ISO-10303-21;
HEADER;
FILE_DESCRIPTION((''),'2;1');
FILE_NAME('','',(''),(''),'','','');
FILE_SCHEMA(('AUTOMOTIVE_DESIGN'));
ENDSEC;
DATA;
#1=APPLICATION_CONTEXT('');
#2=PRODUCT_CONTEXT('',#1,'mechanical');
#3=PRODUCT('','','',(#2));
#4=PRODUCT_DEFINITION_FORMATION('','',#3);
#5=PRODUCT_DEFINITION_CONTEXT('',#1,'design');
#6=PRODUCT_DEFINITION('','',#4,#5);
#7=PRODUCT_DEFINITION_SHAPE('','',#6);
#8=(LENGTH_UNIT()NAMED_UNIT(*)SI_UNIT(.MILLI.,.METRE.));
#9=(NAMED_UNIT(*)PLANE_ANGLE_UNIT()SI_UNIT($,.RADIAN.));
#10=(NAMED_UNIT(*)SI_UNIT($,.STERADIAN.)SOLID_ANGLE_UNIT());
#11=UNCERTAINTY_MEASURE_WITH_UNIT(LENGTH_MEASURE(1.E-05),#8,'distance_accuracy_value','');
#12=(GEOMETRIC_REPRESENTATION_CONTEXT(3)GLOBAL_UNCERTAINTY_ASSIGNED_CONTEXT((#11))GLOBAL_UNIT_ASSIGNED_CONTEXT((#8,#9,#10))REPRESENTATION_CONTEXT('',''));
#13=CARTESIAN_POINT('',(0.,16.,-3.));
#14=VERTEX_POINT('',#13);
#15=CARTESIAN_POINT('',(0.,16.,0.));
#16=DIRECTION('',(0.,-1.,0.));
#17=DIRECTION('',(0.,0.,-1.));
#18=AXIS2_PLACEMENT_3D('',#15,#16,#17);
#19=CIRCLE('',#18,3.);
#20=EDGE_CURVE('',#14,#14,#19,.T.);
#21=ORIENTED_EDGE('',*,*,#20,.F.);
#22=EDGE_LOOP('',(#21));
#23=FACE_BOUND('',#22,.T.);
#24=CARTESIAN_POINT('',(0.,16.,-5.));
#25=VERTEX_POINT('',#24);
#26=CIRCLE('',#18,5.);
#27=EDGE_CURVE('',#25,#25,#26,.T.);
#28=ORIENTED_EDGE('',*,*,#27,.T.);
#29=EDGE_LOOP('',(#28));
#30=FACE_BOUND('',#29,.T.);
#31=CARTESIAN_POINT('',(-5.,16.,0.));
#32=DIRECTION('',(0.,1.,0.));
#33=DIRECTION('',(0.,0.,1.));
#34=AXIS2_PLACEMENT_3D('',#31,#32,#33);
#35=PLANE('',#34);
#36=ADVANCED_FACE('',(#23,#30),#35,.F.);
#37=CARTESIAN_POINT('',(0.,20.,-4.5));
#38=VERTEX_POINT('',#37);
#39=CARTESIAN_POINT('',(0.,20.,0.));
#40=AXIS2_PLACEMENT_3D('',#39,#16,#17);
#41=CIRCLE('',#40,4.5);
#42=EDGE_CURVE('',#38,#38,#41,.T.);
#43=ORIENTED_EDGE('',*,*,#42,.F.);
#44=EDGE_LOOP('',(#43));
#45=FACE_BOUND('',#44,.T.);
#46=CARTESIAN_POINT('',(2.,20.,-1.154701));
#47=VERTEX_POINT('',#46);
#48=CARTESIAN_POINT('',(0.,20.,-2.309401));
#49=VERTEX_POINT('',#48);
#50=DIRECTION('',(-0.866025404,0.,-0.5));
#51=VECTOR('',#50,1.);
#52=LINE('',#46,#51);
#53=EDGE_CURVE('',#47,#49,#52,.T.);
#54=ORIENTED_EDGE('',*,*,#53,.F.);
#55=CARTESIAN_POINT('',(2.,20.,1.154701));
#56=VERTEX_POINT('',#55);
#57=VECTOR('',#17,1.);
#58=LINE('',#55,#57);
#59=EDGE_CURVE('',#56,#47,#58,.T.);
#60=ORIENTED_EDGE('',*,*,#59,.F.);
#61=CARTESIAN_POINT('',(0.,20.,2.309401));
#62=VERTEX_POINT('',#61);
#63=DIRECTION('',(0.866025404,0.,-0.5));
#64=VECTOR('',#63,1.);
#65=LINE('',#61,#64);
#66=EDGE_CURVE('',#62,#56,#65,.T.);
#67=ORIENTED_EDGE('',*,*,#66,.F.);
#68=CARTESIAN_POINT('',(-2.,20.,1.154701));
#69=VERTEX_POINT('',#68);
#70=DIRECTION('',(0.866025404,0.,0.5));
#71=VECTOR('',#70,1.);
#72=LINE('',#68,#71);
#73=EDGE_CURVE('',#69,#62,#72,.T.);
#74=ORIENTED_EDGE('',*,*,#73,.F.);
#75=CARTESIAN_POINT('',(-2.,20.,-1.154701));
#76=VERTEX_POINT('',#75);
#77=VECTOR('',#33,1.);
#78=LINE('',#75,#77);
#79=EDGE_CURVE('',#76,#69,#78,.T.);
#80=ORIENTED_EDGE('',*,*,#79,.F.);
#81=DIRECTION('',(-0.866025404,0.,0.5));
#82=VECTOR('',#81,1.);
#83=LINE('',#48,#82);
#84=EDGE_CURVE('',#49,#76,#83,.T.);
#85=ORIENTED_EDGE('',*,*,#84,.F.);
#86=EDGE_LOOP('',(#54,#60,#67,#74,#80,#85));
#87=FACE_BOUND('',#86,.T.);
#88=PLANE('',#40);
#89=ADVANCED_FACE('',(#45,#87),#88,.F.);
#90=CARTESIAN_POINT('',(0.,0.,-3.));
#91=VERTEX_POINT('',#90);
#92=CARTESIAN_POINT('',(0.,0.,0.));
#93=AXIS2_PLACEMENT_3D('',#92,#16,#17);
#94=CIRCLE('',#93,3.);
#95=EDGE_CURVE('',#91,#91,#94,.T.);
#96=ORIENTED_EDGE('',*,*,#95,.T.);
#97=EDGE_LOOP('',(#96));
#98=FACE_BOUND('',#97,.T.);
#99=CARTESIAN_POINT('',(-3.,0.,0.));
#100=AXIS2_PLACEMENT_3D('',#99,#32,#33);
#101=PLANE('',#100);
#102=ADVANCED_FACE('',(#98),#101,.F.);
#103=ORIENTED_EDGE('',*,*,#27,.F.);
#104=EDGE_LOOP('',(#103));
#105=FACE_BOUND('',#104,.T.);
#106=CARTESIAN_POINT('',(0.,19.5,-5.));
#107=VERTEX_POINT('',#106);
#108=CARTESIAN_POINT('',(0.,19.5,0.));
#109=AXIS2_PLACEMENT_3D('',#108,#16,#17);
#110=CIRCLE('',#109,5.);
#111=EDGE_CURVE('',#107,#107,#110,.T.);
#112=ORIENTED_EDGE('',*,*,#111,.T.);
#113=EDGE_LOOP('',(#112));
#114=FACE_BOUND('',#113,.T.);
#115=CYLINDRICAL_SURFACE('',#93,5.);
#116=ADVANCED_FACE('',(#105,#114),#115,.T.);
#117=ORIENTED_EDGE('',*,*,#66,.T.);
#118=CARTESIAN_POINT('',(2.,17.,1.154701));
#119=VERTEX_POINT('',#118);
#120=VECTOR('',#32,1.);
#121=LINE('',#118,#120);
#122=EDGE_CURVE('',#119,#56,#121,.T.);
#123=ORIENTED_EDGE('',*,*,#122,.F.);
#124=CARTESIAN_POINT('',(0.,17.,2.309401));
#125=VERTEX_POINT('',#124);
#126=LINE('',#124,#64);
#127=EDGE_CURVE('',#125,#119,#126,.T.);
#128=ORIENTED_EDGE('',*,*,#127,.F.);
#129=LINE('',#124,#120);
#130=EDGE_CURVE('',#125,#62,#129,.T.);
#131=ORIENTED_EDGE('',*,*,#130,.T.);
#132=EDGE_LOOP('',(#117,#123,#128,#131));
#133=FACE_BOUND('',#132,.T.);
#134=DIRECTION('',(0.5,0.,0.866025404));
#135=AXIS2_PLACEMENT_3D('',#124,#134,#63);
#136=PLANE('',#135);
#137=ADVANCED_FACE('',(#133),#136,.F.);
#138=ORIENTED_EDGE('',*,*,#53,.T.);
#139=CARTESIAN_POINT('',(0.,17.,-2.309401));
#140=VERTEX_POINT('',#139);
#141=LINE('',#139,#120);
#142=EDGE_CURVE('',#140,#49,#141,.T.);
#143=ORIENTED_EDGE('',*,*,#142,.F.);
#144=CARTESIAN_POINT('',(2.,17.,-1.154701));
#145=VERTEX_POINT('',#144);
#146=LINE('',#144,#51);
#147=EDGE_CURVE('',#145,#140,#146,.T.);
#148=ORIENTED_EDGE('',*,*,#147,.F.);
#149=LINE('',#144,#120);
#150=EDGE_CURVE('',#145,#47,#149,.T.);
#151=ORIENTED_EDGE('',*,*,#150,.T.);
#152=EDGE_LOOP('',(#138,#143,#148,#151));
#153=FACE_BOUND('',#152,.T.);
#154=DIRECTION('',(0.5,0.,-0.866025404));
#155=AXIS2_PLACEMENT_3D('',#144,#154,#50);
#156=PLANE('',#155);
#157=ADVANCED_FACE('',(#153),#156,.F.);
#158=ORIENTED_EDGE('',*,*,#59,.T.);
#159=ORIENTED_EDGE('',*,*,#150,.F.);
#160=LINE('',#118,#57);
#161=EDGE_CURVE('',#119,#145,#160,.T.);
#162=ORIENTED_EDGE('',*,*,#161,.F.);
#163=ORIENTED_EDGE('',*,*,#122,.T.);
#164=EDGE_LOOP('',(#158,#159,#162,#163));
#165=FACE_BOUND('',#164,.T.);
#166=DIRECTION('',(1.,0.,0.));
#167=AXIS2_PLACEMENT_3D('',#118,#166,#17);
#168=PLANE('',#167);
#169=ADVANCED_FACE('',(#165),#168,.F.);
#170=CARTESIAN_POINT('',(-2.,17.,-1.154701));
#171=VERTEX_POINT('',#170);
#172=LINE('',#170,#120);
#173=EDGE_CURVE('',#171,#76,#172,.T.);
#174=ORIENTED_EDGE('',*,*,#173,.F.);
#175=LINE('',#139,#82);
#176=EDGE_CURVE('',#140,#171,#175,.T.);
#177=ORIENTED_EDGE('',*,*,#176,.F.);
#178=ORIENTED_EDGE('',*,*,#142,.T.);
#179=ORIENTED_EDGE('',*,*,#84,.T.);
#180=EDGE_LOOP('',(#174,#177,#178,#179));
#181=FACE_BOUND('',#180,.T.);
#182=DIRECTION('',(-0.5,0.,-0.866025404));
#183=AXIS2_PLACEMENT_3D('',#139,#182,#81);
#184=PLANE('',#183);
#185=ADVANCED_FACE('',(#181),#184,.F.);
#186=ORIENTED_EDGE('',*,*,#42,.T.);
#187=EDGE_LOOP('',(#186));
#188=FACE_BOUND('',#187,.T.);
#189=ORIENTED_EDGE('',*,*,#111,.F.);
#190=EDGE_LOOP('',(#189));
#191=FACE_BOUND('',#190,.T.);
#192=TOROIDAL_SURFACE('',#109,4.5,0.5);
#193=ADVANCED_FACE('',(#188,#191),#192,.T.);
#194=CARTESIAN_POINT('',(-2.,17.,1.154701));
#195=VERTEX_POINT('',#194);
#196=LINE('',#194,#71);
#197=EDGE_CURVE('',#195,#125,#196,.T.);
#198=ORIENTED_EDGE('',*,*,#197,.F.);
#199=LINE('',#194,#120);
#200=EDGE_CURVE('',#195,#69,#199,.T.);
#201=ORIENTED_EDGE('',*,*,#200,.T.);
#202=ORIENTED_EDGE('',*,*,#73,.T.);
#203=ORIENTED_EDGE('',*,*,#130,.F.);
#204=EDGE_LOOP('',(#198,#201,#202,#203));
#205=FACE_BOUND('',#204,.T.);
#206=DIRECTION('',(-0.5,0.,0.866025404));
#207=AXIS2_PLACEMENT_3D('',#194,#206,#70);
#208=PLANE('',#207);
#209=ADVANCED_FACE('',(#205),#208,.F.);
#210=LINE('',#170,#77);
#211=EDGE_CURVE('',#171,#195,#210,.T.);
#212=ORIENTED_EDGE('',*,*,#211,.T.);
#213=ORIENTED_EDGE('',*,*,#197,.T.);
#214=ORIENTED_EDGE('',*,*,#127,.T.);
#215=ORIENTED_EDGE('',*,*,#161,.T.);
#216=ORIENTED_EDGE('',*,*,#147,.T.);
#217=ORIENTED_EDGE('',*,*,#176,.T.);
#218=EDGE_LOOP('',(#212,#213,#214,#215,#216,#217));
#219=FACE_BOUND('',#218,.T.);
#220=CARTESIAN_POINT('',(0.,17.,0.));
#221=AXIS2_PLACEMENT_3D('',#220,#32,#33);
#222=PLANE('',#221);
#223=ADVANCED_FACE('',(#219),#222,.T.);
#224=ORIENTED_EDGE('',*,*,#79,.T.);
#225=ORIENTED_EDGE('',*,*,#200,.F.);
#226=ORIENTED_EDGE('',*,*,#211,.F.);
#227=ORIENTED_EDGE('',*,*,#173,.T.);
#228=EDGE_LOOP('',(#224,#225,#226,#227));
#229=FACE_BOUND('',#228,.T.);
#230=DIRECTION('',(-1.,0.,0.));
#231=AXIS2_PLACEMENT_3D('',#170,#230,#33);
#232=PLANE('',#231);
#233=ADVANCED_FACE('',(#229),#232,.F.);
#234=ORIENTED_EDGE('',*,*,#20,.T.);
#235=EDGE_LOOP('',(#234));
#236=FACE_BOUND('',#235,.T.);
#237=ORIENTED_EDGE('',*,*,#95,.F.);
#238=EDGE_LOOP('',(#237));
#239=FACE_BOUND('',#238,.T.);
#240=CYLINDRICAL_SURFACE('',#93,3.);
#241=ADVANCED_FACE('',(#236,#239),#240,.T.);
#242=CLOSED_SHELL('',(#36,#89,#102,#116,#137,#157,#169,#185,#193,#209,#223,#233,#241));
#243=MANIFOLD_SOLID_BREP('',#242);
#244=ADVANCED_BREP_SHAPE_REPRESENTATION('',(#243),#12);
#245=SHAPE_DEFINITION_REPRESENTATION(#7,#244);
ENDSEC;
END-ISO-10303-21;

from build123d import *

# Parameters (mm, degrees)
CUT_EXTRUDE1_DEPTH = 3


with BuildPart() as part:
    # Sketch1 → Revolve1 (revolve)
    with BuildSketch(Plane.XY, mode=Mode.PRIVATE) as revolve1_sk:
        with BuildLine():
            Line((0, 20), (-4.5, 20))
            ThreePointArc((-4.5, 20), (-4.853553391, 19.853553391), (-5, 19.5))
            Line((-5, 19.5), (-5, 16))
            Line((-5, 16), (-3, 16))
            Line((-3, 16), (-3, 0))
            Line((-3, 0), (0, 0))
            Line((0, 0), (0, 20))
        make_face()
    revolve(revolve1_sk.sketch.rotate(Axis((0, 0, 0), (0, 1, 0)), 270), axis=Axis((0, 0, 0), (0, 1, 0)))

    # Sketch2 → Cut-Extrude1 (cut)
    with BuildSketch(Plane(origin=(0, 20, 0), x_dir=(1, 0, 0), z_dir=(0, 1, 0))):
        Polygon((0, 2.309401077), (-2, 1.154700538), (-2, -1.154700538), (0, -2.309401077), (2, -1.154700538), (2, 1.154700538), align=None)
    extrude(amount=-CUT_EXTRUDE1_DEPTH, mode=Mode.SUBTRACT)


solid = part.part
